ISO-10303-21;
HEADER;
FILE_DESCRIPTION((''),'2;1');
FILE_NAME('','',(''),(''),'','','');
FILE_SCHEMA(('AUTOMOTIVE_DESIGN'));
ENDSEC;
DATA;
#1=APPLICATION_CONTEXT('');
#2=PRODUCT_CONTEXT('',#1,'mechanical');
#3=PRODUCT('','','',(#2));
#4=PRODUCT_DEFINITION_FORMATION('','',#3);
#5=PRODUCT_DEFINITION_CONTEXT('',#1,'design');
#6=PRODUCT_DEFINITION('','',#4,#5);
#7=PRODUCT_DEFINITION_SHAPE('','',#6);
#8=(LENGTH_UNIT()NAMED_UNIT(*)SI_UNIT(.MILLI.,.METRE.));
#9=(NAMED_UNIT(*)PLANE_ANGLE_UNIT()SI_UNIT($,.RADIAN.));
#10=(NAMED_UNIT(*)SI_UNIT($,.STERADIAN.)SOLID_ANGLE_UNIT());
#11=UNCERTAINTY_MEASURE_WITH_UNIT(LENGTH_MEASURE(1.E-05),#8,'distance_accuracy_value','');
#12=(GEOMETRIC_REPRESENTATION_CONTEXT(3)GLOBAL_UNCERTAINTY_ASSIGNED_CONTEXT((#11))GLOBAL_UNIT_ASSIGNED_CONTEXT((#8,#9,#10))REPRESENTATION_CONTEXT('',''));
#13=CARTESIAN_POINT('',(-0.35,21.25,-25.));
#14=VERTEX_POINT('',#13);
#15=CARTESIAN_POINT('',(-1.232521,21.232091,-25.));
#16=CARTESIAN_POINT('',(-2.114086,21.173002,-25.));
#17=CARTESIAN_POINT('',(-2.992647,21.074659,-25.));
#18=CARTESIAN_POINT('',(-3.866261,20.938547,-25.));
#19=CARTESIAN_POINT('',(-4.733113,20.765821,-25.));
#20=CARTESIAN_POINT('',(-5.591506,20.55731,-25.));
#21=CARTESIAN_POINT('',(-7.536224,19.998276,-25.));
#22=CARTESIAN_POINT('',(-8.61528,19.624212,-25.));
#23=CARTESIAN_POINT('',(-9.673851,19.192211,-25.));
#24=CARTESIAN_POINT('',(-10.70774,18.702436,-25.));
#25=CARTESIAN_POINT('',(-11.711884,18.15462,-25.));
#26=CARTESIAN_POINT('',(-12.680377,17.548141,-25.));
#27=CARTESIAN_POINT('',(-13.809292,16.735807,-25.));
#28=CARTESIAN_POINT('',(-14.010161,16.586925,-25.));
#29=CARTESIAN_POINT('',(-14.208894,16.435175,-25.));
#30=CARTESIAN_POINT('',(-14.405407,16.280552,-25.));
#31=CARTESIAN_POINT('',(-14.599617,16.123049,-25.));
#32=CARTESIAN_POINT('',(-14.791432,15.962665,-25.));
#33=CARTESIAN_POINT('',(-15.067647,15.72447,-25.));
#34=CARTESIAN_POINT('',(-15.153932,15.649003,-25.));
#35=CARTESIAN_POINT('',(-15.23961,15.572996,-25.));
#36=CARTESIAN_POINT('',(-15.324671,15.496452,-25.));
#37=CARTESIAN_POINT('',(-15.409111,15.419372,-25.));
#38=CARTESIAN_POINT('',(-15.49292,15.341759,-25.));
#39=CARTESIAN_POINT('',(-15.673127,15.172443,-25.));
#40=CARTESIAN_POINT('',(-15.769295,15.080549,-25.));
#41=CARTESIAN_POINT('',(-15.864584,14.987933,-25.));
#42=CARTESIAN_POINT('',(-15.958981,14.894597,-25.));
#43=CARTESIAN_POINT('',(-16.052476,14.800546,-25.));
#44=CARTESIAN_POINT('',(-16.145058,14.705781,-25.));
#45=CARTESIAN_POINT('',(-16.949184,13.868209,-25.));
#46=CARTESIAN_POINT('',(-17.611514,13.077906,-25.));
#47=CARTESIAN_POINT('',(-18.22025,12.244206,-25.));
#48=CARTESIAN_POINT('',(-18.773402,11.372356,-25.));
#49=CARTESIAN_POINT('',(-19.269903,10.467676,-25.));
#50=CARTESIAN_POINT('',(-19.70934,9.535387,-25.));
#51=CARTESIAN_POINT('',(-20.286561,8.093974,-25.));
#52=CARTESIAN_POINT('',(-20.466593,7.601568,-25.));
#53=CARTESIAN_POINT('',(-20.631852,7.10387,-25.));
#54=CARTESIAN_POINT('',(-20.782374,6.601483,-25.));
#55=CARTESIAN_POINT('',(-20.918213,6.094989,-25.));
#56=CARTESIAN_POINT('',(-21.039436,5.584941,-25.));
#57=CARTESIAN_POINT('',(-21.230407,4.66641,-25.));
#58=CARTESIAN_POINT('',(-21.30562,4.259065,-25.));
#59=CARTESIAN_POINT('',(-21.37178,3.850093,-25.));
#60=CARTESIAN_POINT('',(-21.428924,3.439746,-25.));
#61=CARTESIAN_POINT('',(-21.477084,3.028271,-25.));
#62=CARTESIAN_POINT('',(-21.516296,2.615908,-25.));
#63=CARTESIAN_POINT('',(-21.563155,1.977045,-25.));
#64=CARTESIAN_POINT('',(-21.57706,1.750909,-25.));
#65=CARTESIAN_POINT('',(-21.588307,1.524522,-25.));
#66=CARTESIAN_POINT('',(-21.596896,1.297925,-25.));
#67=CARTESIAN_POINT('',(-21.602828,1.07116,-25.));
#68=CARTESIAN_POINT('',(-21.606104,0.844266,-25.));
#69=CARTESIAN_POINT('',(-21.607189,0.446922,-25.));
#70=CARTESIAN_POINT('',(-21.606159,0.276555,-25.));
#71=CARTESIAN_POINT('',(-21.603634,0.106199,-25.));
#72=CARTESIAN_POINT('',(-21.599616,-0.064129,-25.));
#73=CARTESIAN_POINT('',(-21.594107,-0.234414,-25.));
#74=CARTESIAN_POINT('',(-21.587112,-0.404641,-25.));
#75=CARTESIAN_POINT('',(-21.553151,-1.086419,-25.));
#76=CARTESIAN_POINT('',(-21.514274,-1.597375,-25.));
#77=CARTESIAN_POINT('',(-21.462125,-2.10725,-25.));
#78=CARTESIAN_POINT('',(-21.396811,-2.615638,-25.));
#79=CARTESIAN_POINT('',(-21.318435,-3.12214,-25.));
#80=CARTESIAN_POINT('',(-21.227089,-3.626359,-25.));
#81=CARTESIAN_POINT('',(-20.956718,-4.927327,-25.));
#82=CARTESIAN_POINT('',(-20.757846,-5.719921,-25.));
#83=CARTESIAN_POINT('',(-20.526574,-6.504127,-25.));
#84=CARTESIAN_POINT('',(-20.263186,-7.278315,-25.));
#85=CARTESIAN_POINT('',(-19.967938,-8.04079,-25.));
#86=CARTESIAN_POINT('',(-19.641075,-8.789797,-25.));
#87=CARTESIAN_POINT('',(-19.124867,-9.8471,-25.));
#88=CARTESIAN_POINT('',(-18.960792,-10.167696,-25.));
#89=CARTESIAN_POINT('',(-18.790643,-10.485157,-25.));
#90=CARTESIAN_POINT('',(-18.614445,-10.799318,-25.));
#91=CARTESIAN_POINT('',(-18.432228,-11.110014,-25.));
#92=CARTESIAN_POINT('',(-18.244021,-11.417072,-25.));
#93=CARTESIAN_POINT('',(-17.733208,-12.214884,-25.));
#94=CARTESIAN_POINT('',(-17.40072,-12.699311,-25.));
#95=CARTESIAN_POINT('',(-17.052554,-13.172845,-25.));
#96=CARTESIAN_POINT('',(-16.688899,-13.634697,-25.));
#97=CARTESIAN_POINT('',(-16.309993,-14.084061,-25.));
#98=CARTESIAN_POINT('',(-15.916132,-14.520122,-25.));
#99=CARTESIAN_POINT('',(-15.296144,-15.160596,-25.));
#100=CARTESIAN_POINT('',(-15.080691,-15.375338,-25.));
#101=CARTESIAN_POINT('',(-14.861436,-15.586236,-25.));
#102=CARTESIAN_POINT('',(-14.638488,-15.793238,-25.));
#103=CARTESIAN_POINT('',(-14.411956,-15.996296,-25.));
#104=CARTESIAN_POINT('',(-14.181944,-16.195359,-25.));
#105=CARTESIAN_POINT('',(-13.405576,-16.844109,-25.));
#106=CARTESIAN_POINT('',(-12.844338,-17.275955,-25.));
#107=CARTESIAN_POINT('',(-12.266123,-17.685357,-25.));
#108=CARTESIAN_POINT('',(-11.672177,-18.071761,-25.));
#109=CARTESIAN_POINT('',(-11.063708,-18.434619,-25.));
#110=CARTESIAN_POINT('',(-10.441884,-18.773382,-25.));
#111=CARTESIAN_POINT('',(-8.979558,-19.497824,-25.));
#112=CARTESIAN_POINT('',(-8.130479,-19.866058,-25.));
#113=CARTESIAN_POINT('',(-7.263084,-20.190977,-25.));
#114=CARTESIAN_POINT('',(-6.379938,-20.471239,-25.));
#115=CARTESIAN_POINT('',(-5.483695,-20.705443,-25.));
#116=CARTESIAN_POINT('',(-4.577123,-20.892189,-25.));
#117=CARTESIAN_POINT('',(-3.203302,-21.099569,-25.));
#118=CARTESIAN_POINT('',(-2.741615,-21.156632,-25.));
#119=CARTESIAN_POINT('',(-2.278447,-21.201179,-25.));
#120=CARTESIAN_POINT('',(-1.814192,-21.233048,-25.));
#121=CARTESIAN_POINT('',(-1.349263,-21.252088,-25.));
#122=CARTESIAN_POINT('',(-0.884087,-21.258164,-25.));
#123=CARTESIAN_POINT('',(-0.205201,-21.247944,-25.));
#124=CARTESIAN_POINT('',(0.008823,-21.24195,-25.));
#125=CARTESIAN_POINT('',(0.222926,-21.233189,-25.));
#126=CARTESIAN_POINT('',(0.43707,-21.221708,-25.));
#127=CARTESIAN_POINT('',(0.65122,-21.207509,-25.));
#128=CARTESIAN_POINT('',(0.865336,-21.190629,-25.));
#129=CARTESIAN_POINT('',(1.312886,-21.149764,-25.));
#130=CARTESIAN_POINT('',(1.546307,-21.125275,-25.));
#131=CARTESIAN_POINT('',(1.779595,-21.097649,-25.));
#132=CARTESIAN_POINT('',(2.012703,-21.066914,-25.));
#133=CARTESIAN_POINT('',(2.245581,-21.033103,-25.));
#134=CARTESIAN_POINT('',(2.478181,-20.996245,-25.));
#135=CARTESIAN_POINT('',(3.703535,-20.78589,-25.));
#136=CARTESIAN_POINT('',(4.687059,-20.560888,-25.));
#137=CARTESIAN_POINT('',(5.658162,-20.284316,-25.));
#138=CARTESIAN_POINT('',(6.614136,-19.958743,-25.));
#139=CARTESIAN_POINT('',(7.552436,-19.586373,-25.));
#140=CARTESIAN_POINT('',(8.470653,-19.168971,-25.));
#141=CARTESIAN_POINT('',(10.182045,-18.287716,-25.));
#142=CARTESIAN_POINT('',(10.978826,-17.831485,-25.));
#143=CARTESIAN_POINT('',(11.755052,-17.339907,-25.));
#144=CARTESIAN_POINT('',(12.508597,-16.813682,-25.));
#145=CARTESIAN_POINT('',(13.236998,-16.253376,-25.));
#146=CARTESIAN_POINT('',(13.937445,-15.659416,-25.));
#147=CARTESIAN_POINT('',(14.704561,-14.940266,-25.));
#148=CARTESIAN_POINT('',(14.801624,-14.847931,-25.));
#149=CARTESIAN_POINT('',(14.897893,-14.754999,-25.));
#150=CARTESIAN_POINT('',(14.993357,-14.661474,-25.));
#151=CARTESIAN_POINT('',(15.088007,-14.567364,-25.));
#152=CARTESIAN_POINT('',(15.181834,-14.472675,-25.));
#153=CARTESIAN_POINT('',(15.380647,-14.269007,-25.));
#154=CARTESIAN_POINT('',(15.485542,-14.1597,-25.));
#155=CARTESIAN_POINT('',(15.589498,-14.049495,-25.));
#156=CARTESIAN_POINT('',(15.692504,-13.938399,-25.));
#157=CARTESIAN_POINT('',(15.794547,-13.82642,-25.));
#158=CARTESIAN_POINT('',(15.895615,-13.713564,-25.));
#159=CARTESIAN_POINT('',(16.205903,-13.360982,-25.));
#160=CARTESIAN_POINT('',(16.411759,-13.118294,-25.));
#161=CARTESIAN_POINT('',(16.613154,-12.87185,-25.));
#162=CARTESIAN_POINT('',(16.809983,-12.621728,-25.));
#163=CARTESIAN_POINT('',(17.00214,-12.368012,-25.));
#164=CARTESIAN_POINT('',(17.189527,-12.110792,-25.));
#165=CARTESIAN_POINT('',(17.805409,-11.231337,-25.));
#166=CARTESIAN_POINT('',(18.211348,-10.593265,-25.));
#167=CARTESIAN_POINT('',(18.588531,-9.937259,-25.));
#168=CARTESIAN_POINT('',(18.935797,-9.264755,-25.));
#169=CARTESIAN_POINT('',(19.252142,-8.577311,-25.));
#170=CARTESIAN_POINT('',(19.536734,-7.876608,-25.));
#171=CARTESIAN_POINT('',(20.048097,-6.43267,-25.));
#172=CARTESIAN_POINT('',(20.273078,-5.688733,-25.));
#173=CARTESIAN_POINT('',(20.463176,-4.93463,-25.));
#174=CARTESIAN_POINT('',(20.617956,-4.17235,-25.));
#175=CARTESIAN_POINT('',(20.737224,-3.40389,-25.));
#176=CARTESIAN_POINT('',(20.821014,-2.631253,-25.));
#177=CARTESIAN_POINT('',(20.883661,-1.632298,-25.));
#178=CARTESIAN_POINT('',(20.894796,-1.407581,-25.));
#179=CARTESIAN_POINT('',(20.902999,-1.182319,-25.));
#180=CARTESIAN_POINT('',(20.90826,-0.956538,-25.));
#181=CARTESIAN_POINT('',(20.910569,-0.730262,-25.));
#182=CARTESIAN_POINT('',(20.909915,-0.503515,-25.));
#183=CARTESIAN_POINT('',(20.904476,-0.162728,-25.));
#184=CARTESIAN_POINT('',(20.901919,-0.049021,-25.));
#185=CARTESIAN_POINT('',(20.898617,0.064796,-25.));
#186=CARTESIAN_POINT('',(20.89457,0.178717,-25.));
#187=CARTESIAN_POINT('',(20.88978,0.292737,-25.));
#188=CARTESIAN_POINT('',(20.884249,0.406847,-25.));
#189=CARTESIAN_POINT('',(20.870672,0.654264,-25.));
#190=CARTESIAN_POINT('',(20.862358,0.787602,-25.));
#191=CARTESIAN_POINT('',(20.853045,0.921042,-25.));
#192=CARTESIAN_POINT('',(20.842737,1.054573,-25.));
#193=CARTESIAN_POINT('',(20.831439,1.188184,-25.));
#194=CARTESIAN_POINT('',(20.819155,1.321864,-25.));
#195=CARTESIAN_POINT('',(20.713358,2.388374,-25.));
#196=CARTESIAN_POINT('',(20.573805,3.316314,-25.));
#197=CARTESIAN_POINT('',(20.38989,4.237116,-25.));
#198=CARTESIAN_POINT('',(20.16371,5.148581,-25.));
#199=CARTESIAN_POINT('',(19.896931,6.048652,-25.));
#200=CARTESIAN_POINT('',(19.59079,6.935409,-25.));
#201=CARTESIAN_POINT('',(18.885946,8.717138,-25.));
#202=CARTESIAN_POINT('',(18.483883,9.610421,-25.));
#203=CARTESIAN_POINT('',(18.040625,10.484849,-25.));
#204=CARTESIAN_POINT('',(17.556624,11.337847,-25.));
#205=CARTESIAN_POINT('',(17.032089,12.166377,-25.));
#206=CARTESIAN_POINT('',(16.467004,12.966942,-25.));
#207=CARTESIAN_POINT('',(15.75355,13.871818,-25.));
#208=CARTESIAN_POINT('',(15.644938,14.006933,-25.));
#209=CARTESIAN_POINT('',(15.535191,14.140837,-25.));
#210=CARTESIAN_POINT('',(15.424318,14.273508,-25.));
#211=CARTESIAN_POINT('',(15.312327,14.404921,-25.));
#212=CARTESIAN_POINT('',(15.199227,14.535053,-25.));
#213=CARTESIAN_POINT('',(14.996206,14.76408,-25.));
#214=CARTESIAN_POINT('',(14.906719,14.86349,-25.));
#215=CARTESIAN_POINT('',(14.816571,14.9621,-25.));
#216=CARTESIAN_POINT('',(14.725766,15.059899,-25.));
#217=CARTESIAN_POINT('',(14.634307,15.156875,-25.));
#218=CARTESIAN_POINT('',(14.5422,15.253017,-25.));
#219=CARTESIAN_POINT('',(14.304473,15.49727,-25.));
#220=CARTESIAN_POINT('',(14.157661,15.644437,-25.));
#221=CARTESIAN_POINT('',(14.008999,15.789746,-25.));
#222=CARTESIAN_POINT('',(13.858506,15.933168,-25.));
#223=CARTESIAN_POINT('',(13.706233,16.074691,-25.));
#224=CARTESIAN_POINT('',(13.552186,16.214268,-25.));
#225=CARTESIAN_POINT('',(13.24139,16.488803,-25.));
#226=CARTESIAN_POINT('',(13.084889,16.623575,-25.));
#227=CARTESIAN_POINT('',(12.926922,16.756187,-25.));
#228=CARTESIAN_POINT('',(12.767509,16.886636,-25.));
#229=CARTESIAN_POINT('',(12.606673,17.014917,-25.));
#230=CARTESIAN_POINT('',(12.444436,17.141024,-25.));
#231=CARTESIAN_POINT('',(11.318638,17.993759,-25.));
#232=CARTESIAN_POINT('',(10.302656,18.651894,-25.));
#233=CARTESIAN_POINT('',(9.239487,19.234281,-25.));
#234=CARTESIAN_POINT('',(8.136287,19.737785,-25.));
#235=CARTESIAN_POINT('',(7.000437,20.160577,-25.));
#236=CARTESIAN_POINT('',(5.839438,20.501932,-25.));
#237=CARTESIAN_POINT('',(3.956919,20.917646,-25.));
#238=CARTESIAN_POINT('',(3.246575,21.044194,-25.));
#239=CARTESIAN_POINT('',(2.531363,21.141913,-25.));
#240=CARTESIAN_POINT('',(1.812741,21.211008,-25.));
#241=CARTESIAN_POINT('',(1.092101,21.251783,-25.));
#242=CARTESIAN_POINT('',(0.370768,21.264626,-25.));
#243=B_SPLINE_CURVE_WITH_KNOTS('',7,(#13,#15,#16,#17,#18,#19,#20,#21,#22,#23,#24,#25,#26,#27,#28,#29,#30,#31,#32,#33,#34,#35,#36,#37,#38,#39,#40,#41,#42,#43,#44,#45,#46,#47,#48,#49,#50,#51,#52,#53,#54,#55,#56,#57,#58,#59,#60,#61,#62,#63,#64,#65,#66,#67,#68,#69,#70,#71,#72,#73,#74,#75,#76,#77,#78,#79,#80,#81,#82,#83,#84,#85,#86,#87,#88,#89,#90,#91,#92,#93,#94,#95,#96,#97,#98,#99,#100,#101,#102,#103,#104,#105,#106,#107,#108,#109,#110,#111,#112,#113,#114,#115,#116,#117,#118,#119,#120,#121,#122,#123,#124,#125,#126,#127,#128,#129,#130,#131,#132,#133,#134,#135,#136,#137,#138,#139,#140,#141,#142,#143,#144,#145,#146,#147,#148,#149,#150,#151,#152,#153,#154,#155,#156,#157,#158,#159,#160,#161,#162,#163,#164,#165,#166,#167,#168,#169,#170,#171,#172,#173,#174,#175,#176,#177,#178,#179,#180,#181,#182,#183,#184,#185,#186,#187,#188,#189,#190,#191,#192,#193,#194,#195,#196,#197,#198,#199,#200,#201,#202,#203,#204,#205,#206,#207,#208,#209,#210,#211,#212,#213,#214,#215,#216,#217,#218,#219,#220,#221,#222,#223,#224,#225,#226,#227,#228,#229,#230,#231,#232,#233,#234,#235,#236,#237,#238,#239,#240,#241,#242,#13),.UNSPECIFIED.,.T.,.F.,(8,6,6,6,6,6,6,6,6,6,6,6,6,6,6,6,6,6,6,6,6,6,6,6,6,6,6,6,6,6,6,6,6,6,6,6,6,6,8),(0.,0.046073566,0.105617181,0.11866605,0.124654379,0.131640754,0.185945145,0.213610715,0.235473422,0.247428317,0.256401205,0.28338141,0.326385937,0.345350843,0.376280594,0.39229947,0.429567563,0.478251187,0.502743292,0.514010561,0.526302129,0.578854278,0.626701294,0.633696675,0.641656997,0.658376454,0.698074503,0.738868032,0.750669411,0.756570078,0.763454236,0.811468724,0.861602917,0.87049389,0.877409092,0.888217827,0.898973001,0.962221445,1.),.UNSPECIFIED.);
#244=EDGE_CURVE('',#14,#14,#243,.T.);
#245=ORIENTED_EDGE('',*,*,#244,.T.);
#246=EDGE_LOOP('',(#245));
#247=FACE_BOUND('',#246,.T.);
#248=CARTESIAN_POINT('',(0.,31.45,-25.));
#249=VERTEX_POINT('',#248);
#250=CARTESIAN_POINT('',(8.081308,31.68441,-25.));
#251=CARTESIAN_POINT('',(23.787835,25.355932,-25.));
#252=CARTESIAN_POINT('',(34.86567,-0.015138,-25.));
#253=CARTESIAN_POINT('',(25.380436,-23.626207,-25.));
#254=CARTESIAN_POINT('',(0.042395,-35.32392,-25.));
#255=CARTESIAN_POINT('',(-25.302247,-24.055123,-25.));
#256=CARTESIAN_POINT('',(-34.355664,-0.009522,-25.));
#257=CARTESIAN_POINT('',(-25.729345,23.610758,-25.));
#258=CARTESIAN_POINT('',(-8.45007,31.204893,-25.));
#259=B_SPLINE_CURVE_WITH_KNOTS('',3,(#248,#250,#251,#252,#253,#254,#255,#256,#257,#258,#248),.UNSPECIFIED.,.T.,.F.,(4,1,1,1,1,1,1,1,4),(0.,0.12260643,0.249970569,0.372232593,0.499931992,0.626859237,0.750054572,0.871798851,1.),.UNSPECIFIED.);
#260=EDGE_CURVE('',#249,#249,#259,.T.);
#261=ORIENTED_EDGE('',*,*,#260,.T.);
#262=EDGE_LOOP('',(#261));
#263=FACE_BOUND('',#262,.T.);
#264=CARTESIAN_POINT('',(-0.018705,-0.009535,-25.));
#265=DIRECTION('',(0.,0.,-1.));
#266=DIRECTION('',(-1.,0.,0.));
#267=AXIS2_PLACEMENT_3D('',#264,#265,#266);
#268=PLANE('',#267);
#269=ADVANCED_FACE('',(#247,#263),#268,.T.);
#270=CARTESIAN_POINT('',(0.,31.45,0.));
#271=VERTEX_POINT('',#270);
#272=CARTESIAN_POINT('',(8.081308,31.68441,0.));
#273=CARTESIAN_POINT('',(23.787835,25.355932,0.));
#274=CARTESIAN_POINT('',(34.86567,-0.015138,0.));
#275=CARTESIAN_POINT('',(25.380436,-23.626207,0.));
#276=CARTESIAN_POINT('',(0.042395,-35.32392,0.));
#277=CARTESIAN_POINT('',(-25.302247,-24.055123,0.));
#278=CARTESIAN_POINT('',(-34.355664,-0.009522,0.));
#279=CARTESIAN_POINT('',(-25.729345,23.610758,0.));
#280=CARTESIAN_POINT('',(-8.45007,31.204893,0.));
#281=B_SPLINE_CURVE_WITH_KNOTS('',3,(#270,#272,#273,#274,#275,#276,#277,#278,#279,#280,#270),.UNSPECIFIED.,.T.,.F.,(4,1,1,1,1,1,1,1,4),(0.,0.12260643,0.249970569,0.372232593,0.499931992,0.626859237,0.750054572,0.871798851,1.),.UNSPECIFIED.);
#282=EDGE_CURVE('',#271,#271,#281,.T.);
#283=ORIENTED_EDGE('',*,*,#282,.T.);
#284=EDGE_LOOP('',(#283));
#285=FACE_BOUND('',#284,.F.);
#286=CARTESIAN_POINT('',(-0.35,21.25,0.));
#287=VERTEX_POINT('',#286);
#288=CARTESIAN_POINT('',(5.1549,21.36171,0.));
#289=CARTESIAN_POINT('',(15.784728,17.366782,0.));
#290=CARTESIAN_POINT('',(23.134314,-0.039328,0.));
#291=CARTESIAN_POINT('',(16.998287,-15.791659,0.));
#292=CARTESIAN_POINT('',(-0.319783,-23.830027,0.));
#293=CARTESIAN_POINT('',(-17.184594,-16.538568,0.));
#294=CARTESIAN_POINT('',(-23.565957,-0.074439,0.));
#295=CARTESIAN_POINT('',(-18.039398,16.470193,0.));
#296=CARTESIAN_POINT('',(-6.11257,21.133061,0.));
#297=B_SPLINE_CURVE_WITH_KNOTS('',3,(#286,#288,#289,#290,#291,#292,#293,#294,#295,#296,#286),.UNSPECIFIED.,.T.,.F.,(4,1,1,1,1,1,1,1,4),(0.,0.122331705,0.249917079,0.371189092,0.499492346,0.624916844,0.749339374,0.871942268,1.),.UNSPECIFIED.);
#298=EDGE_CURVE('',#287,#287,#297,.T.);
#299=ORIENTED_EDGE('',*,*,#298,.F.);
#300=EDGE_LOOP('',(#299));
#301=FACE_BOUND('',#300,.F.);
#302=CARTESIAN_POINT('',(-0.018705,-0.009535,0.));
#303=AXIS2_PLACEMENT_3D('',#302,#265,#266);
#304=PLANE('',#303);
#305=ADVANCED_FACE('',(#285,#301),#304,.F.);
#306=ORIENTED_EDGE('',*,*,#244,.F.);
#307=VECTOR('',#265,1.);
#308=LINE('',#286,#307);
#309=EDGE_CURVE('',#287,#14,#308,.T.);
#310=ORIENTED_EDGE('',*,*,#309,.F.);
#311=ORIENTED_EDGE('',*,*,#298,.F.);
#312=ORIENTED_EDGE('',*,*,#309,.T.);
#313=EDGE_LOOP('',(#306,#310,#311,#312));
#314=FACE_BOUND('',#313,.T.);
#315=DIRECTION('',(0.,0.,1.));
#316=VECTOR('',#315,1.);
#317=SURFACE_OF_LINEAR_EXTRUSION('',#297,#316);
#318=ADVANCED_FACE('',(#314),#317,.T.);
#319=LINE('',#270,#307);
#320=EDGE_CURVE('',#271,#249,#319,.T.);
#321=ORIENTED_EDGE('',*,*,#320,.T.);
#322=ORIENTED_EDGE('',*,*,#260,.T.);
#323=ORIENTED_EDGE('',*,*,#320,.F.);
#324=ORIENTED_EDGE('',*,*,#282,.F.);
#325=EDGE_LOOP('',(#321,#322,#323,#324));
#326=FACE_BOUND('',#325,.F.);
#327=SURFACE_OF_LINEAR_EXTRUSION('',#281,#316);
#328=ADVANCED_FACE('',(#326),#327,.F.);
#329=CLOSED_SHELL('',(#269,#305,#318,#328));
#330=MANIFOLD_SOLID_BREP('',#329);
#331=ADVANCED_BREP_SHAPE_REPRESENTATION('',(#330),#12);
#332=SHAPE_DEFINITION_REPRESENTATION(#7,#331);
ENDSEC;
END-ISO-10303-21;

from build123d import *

# Parameters (mm, degrees)
F1_DEPTH = 25
F3_DEPTH = 25.0010001


with BuildPart() as f1:
    # F0 (on Top) → F1 (new body)
    with BuildSketch(Plane.XY):
        with BuildLine():
            add(Edge.make_bspline(
                [(0, 31.45), (8.0813079347, 31.6844103809), (23.7878346667, 25.3559317949), (34.8656697503, -0.0151383488), (25.3804355119, -23.626206878), (0.0423946056, -35.3239195715), (-25.3022470146, -24.0551231105), (-34.3556643288, -0.0095218411), (-25.7293451239, 23.6107581009), (-8.450070425, 31.2048931135), (0, 31.45)],
                knots=[0, 0, 0, 0, 0.1226064297, 0.2499705687, 0.3722325925, 0.4999319921, 0.6268592366, 0.7500545716, 0.8717988506, 1, 1, 1, 1], degree=3))
        make_face()
    extrude(amount=-F1_DEPTH)

    # F2 (on face) → F3 (cut, through all)
    with BuildSketch(Plane.XY):
        with BuildLine():
            add(Edge.make_bspline(
                [(-0.35, 21.25), (5.1548996485, 21.3617098923), (15.7847280799, 17.3667820001), (23.1343140974, -0.0393283713), (16.9982869449, -15.791659376), (-0.3197834735, -23.8300266218), (-17.1845937722, -16.5385677098), (-23.5659571207, -0.0744387772), (-18.0393982592, 16.4701927015), (-6.1125696223, 21.1330612594), (-0.35, 21.25)],
                knots=[0, 0, 0, 0, 0.1223317047, 0.2499170794, 0.3711890921, 0.4994923464, 0.6249168439, 0.7493393739, 0.8719422678, 1, 1, 1, 1], degree=3))
        make_face()
    extrude(amount=-F3_DEPTH, mode=Mode.SUBTRACT)


solid = f1.part
